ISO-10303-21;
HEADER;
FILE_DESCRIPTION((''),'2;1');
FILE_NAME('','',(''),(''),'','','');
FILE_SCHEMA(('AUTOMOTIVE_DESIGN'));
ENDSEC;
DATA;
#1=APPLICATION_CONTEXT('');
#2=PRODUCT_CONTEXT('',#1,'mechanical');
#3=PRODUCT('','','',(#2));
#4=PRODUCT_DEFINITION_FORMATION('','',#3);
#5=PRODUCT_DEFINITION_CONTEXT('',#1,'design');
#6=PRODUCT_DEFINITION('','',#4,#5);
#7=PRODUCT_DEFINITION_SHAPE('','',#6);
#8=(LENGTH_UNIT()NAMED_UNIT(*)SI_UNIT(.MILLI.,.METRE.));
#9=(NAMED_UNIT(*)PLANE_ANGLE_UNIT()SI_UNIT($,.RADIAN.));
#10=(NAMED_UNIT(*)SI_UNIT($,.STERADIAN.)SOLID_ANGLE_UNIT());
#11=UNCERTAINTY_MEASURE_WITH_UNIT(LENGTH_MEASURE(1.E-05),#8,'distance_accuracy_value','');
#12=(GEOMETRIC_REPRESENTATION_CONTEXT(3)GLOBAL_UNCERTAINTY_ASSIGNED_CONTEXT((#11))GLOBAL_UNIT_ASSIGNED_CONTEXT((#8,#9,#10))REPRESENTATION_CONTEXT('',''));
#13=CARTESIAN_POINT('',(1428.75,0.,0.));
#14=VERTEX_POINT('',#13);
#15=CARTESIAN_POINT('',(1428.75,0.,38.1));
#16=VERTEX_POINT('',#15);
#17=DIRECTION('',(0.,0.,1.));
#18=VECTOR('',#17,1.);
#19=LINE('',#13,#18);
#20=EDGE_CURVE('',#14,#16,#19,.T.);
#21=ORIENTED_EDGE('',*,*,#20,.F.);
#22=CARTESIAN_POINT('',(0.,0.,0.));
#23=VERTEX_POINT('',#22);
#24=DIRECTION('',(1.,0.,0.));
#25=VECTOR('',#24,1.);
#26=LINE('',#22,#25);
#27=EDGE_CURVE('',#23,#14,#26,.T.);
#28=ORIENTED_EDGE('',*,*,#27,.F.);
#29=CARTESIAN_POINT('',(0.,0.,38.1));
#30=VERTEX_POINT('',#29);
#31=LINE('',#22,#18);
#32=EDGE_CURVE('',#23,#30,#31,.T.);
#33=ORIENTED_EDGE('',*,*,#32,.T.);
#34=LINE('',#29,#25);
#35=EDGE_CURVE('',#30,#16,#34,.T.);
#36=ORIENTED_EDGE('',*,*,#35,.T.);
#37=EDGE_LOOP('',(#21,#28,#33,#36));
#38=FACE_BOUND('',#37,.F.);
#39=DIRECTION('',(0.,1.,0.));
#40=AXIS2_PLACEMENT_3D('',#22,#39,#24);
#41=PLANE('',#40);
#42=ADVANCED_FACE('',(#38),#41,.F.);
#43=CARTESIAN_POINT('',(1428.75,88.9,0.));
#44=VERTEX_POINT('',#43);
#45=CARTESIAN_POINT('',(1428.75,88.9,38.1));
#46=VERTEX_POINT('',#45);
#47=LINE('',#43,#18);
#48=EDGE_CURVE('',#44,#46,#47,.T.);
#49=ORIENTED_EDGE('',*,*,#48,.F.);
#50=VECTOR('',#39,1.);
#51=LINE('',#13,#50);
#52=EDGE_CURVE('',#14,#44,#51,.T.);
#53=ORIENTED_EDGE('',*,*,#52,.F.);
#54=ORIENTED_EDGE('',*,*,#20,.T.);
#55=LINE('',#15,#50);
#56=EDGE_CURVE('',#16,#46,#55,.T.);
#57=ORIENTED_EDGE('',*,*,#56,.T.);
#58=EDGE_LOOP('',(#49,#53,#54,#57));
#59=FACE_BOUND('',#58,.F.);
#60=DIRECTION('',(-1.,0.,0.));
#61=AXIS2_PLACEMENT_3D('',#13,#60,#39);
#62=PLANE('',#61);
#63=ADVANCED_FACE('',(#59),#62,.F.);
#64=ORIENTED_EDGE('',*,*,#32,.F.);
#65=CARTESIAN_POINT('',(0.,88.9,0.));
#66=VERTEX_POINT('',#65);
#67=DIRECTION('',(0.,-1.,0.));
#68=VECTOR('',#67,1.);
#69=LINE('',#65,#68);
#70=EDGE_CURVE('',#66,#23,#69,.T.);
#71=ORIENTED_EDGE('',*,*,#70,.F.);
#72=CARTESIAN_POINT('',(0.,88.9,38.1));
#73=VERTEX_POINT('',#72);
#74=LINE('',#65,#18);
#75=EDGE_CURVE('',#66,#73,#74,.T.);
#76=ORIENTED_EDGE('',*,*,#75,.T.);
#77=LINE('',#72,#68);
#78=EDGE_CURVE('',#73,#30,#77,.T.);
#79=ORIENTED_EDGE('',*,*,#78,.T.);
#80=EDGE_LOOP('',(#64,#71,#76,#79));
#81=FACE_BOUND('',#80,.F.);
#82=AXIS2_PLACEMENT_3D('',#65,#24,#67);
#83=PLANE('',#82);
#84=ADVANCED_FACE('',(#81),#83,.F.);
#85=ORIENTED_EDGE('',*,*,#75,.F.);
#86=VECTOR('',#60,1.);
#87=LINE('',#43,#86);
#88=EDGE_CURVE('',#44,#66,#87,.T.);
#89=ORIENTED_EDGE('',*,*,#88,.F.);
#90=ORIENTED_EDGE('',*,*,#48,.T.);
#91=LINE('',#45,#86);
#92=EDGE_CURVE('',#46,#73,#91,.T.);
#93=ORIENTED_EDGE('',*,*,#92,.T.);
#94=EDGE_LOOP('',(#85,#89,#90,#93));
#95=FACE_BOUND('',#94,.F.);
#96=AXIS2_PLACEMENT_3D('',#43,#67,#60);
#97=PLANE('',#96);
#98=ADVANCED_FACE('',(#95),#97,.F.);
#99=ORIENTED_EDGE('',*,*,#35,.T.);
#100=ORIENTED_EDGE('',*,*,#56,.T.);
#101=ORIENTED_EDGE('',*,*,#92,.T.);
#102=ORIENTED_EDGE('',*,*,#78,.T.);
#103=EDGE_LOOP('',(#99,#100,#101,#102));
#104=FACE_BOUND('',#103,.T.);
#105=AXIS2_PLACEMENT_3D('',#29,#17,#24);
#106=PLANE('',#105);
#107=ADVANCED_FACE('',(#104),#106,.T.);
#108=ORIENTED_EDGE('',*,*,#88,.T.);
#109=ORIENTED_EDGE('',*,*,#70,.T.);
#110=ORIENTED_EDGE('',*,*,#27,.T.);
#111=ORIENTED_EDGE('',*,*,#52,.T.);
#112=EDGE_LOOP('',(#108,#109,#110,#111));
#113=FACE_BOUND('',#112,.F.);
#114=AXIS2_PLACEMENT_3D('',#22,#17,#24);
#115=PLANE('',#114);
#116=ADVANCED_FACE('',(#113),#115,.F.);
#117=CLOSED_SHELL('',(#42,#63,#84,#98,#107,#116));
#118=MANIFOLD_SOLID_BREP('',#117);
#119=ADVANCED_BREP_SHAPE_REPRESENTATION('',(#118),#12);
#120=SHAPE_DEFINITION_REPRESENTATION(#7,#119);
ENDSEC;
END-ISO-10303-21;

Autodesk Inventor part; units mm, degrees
ref_plane "YZ Plane" through (0, 0, 0) normal (1, 0, 0) x (0, 1, 0)
ref_plane "XZ Plane" through (0, 0, 0) normal (0, 1, 0) x (-1, 0, 0)
ref_plane "XY Plane" through (0, 0, 0) normal (0, 0, 1) x (1, 0, 0)
sketch "Sketch1" plane through (0, 0, 0) normal (0, 0, 1) x (1, 0, 0)
  line L0 (0, 0) -> (1428.75, 0)
  line L1 (1428.75, 0) -> (1428.75, 88.9)
  line L2 (1428.75, 88.9) -> (0, 88.9)
  line L3 (0, 88.9) -> (0, 0)
  dimension "d0" = 1428.75
  dimension "d1" = 88.9
extrude "Extrusion1" add sketch "Sketch1" along normal blind 38.1
properties part number "56.25 2x4 No Hole" material "Pine, Radiata"
